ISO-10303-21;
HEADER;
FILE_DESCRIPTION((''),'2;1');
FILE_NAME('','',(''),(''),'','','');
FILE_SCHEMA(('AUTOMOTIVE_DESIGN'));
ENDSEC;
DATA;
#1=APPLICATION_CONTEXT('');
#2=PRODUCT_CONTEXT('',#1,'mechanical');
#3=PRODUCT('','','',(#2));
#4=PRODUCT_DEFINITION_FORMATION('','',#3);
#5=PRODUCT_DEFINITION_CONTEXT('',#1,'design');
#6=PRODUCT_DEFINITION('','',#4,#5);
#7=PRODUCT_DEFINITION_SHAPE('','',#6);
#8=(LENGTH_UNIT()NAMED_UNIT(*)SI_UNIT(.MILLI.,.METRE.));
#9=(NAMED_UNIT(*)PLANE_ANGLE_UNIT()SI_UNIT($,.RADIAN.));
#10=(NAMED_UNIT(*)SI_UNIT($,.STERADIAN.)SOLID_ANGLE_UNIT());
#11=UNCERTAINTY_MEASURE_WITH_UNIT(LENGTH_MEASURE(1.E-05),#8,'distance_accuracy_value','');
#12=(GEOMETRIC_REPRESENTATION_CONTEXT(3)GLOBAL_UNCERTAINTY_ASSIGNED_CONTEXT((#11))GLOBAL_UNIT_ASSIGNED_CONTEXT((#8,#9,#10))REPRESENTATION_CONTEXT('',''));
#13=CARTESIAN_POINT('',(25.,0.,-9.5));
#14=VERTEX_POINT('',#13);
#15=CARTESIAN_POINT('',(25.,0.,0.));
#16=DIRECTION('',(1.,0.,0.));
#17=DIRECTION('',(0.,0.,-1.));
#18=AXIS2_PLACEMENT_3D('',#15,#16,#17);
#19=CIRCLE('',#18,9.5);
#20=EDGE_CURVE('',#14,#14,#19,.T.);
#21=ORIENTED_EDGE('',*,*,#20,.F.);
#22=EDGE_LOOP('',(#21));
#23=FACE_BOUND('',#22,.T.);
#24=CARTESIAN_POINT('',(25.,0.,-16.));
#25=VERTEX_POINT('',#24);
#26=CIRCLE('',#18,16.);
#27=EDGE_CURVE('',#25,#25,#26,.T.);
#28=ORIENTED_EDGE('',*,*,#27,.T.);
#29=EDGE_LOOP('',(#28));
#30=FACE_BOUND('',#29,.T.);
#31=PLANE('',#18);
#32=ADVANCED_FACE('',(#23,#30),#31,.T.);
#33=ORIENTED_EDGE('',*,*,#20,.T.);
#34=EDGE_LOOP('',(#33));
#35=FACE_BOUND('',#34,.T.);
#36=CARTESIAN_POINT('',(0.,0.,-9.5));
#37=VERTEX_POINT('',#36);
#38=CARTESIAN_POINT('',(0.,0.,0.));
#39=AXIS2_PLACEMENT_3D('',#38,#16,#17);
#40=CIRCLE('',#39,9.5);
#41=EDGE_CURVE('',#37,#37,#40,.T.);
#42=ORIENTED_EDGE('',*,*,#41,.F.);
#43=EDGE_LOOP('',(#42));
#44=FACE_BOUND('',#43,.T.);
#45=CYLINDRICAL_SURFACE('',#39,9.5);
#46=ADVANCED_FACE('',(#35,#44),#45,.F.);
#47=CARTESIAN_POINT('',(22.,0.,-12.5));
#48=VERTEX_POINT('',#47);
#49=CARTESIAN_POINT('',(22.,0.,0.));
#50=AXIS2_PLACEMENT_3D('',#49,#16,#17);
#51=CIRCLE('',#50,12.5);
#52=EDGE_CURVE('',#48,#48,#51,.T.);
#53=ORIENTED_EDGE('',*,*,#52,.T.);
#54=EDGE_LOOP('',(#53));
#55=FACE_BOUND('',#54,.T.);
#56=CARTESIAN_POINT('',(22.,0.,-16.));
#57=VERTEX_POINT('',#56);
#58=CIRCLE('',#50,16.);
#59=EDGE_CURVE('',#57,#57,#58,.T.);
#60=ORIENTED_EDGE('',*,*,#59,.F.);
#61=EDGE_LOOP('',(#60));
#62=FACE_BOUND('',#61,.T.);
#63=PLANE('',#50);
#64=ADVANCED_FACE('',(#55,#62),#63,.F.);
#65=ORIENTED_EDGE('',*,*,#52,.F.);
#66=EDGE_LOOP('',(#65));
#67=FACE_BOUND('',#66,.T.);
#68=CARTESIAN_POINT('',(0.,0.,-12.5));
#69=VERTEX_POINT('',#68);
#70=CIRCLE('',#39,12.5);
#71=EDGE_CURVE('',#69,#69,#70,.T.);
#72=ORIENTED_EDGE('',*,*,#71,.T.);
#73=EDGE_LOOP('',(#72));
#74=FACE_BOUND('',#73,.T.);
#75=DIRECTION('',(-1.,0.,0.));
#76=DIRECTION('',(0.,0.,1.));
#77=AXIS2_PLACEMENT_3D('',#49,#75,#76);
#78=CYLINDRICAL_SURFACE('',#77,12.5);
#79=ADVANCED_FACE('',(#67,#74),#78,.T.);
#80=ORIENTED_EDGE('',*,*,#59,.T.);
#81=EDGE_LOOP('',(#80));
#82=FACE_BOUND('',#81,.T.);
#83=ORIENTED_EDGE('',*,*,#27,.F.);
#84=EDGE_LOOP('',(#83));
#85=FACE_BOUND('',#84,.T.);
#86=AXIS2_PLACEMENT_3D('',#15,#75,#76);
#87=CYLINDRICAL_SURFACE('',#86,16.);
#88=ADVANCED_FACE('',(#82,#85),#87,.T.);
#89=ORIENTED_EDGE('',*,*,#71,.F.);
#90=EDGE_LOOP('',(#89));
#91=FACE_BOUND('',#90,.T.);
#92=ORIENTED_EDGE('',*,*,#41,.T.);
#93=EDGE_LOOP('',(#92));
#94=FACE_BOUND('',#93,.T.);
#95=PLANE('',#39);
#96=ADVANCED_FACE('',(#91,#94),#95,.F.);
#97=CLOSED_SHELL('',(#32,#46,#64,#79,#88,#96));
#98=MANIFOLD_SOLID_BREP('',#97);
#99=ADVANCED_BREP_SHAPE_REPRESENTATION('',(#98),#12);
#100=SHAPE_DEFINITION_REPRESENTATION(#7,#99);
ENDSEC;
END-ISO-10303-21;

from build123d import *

# Parameters (mm, degrees)
ESBO_O1_R                = 12.5
RESSALTO_EXTRUS_O1_DEPTH = 22
ESBO_O2_R                = 16
RESSALTO_EXTRUS_O2_DEPTH = 3
ESBO_O3_R                = 9.5
CORTE_EXTRUS_O1_DEPTH    = 26


with BuildPart() as part:
    # Esboço1 → Ressalto-extrusão1 (new body)
    with BuildSketch(Plane(origin=(0, 0, 0), x_dir=(0, 0, -1), z_dir=(1, 0, 0))):
        Circle(ESBO_O1_R)
    extrude(amount=RESSALTO_EXTRUS_O1_DEPTH)

    # Esboço2 → Ressalto-extrusão2 (add)
    with BuildSketch(Plane(origin=(22, 0, 0), x_dir=(0, 0, -1), z_dir=(1, 0, 0))):
        Circle(ESBO_O2_R)
    extrude(amount=RESSALTO_EXTRUS_O2_DEPTH)

    # Esboço3 → Corte-extrusão1 (cut, through all)
    with BuildSketch(Plane(origin=(25, 0, 0), x_dir=(0, 0, -1), z_dir=(1, 0, 0))):
        Circle(ESBO_O3_R)
    extrude(amount=-CORTE_EXTRUS_O1_DEPTH, mode=Mode.SUBTRACT)


solid = part.part
